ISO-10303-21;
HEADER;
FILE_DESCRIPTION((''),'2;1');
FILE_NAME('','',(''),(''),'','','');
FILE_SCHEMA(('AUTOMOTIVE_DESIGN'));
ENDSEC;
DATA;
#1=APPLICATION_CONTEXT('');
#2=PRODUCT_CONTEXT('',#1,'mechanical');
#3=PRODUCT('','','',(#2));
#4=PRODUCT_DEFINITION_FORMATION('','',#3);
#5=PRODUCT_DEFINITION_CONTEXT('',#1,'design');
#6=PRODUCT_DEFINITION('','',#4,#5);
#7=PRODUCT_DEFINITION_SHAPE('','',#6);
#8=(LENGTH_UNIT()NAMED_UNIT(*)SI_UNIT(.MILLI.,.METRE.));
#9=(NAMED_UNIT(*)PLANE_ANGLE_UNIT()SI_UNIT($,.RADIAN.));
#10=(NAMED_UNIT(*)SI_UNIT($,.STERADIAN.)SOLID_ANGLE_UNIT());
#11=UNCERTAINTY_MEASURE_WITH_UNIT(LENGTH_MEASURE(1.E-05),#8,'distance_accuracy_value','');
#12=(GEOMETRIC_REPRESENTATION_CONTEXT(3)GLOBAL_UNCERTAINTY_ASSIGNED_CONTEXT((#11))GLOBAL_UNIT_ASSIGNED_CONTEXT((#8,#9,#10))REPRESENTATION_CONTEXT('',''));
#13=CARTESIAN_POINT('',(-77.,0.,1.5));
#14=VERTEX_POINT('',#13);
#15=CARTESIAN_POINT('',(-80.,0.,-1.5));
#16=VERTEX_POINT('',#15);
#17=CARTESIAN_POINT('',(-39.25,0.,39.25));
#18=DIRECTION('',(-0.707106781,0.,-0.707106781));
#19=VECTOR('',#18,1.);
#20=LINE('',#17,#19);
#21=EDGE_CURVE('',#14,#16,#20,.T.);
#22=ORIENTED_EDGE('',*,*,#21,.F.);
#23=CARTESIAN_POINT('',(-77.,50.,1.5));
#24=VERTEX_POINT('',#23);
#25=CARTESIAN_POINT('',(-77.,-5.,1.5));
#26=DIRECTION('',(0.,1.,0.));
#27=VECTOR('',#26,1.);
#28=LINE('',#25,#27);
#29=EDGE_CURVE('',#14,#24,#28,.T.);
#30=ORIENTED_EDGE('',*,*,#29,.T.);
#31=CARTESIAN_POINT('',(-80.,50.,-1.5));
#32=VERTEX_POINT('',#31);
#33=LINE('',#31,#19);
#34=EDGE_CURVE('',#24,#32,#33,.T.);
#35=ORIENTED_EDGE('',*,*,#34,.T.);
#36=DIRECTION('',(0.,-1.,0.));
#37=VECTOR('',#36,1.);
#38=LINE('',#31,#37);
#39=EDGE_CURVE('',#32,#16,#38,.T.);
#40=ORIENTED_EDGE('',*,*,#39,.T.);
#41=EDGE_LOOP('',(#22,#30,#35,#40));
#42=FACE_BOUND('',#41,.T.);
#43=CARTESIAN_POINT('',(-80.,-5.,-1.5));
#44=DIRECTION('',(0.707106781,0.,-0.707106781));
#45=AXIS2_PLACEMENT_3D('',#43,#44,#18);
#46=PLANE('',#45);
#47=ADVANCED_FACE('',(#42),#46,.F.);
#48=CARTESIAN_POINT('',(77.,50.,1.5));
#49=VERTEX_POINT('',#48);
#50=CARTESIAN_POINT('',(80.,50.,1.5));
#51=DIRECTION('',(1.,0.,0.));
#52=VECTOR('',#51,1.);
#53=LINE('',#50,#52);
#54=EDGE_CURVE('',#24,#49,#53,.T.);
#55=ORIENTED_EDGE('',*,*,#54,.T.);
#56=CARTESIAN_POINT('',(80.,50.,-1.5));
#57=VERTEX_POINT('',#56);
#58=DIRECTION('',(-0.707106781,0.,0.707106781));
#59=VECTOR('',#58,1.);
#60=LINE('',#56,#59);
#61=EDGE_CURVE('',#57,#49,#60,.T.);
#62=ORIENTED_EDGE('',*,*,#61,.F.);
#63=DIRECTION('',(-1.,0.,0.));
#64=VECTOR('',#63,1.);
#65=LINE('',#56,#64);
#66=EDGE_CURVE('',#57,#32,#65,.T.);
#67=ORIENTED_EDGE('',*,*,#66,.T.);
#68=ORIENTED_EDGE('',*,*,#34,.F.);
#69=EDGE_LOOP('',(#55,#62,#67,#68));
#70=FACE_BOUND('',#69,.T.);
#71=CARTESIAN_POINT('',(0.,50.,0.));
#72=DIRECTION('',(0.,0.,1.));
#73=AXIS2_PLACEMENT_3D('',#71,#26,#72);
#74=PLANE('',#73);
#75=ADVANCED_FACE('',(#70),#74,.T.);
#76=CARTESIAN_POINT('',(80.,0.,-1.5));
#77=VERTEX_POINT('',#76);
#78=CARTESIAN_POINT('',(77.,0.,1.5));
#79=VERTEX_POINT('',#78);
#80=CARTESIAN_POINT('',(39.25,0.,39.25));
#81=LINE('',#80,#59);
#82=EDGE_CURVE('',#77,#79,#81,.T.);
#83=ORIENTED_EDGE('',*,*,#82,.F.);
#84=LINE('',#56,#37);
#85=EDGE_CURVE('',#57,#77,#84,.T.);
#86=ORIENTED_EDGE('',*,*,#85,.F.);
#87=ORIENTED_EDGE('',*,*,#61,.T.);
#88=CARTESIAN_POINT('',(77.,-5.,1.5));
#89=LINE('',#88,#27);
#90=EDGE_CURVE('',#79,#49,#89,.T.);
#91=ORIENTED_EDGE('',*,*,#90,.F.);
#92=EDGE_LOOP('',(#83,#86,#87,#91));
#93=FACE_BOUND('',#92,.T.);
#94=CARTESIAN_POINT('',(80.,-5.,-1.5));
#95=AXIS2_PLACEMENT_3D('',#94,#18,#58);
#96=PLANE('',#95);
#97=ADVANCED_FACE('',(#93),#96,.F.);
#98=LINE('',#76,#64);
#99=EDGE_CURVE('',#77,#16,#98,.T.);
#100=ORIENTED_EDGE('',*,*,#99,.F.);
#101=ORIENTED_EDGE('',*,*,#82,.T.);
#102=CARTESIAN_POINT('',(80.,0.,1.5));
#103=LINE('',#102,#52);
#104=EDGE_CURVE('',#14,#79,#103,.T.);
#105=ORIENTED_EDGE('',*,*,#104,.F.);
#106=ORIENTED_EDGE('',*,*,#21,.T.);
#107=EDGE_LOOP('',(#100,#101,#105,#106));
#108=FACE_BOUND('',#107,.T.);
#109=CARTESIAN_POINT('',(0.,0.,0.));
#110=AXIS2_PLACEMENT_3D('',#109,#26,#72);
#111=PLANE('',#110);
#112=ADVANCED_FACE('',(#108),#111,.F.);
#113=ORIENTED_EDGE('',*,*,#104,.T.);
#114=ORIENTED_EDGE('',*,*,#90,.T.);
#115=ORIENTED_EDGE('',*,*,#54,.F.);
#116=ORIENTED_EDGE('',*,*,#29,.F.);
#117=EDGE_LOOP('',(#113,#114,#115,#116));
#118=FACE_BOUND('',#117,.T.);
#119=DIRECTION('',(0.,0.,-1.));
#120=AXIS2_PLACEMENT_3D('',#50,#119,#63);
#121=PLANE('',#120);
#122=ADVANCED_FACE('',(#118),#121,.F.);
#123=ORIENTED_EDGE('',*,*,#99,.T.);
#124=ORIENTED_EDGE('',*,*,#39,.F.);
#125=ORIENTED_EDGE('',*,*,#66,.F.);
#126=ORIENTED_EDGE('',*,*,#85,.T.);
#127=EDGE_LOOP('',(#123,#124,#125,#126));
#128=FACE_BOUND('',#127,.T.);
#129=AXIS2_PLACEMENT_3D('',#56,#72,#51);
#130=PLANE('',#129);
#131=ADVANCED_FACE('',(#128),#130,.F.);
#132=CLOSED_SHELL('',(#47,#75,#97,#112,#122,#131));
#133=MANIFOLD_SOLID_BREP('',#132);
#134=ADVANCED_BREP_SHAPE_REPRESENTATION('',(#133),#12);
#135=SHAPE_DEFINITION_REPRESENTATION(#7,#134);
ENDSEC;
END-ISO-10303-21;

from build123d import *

# Parameters (mm, degrees)
SKETCH1_W           = 160
SKETCH1_H           = 3
BOSS_EXTRUDE1_DEPTH = 50
CUT_EXTRUDE1_DEPTH  = 55


with BuildPart() as part:
    # Sketch1 → Boss-Extrude1 (new body)
    with BuildSketch(Plane(origin=(0, 0, 0), x_dir=(1, 0, 0), z_dir=(0, 1, 0))):
        Rectangle(SKETCH1_W, SKETCH1_H)
    extrude(amount=BOSS_EXTRUDE1_DEPTH)

    # Sketch3 → Cut-Extrude1 (cut)
    with BuildSketch(Plane(origin=(0, 50, 0), x_dir=(1, 0, 0), z_dir=(0, 1, 0))):
        Polygon((-80, -1.5), (-80, 1.5), (-77, -1.5), align=None)
        Polygon((80, -1.5), (80, 1.5), (77, -1.5), align=None)
    extrude(amount=-CUT_EXTRUDE1_DEPTH, mode=Mode.SUBTRACT)


solid = part.part
